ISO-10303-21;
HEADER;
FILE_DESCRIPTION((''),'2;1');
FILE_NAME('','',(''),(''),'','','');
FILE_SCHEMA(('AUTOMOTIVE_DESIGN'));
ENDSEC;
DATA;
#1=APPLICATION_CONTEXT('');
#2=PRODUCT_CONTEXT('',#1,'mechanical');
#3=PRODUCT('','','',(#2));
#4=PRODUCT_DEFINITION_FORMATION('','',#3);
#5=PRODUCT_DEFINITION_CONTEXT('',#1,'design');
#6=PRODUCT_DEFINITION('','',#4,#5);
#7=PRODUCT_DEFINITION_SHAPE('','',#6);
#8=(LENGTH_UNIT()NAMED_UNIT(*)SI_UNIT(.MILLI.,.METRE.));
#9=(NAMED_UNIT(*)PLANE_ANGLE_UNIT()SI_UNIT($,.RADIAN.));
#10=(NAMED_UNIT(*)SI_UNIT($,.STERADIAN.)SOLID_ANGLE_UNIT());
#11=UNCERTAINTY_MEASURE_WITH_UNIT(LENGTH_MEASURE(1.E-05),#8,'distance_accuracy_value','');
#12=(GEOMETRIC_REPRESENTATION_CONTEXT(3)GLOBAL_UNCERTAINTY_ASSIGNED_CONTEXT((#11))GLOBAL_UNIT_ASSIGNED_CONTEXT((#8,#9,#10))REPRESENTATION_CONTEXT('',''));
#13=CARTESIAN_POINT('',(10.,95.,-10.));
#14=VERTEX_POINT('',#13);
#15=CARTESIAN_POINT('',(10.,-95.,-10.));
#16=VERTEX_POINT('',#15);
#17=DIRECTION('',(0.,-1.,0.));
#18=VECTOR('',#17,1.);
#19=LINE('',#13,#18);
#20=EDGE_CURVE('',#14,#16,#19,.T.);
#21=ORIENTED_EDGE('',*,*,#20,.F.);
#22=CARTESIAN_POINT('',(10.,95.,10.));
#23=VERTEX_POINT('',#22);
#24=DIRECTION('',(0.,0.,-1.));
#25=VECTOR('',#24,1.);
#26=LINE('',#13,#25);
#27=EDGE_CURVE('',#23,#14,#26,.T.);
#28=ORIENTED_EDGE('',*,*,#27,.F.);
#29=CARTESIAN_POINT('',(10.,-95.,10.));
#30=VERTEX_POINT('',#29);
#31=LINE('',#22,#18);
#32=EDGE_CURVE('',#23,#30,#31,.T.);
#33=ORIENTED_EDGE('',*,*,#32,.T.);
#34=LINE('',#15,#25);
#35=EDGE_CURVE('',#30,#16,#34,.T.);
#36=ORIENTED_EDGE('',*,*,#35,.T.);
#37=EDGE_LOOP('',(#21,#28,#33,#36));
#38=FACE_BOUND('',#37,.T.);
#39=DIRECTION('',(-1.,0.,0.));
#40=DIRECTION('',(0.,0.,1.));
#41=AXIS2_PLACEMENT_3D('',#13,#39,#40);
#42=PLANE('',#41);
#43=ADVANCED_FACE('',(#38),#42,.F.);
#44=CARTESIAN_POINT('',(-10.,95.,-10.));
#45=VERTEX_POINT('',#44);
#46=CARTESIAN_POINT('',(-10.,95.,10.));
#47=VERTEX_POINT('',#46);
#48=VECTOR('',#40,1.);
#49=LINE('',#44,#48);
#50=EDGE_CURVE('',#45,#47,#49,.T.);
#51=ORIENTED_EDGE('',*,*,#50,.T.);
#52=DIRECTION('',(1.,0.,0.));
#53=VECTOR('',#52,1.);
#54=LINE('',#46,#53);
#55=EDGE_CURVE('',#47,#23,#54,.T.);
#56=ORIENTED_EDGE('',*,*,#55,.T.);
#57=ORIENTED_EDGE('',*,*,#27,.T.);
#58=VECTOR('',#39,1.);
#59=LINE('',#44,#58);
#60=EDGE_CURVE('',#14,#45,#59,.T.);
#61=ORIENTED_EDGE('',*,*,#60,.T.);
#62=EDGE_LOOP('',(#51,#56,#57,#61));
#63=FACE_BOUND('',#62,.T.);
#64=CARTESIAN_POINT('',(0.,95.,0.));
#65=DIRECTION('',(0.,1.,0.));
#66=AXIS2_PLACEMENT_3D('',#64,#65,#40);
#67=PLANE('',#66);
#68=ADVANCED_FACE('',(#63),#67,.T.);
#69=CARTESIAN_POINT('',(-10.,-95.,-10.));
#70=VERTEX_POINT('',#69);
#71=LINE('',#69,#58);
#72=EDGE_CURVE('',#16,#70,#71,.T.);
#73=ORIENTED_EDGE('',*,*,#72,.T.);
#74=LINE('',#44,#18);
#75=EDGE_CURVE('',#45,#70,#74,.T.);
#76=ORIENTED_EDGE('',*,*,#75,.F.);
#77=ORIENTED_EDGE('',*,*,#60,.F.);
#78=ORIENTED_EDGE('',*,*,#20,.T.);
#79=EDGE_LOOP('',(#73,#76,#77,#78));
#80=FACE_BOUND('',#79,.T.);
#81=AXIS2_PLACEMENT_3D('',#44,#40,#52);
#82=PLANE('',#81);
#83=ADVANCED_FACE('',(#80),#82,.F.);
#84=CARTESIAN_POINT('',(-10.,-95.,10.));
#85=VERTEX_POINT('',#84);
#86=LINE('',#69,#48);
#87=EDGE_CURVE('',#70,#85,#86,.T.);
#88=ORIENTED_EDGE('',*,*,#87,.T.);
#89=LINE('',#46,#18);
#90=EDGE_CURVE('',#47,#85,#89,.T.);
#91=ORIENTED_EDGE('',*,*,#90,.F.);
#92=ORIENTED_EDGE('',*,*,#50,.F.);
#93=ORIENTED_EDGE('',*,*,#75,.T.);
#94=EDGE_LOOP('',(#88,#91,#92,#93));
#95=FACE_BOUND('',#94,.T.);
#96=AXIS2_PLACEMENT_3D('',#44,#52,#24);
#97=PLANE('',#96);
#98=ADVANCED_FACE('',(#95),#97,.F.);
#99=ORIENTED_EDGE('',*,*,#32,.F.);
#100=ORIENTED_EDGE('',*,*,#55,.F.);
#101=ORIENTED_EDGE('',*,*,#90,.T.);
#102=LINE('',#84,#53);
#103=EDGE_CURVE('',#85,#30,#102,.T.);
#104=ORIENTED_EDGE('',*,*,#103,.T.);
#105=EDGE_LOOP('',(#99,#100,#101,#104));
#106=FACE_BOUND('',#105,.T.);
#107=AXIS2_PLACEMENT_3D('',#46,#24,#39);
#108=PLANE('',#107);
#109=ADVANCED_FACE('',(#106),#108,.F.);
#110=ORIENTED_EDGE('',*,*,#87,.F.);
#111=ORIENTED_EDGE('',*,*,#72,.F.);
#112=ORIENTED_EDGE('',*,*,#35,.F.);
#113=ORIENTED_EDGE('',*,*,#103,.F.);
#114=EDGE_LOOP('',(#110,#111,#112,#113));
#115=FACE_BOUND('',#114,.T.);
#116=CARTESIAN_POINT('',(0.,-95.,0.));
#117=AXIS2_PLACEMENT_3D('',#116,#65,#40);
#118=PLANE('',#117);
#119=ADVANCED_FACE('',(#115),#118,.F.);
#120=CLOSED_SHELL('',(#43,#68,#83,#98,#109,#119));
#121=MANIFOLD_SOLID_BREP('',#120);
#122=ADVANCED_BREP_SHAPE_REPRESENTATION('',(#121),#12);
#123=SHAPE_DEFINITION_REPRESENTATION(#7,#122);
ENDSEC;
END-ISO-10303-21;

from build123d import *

# Parameters (mm, degrees)
SKETCH_1_W      = 20
SKETCH_1_H      = 20
EXTRUDE_1_DEPTH = 95


with BuildPart() as part:
    # Эскиз1 → Бобышка-Вытянуть1 (new, symmetric)
    with BuildSketch(Plane(origin=(0, 0, 0), x_dir=(1, 0, 0), z_dir=(0, 1, 0))):
        Rectangle(SKETCH_1_W, SKETCH_1_H)
    extrude(amount=EXTRUDE_1_DEPTH, both=True)


solid = part.part
